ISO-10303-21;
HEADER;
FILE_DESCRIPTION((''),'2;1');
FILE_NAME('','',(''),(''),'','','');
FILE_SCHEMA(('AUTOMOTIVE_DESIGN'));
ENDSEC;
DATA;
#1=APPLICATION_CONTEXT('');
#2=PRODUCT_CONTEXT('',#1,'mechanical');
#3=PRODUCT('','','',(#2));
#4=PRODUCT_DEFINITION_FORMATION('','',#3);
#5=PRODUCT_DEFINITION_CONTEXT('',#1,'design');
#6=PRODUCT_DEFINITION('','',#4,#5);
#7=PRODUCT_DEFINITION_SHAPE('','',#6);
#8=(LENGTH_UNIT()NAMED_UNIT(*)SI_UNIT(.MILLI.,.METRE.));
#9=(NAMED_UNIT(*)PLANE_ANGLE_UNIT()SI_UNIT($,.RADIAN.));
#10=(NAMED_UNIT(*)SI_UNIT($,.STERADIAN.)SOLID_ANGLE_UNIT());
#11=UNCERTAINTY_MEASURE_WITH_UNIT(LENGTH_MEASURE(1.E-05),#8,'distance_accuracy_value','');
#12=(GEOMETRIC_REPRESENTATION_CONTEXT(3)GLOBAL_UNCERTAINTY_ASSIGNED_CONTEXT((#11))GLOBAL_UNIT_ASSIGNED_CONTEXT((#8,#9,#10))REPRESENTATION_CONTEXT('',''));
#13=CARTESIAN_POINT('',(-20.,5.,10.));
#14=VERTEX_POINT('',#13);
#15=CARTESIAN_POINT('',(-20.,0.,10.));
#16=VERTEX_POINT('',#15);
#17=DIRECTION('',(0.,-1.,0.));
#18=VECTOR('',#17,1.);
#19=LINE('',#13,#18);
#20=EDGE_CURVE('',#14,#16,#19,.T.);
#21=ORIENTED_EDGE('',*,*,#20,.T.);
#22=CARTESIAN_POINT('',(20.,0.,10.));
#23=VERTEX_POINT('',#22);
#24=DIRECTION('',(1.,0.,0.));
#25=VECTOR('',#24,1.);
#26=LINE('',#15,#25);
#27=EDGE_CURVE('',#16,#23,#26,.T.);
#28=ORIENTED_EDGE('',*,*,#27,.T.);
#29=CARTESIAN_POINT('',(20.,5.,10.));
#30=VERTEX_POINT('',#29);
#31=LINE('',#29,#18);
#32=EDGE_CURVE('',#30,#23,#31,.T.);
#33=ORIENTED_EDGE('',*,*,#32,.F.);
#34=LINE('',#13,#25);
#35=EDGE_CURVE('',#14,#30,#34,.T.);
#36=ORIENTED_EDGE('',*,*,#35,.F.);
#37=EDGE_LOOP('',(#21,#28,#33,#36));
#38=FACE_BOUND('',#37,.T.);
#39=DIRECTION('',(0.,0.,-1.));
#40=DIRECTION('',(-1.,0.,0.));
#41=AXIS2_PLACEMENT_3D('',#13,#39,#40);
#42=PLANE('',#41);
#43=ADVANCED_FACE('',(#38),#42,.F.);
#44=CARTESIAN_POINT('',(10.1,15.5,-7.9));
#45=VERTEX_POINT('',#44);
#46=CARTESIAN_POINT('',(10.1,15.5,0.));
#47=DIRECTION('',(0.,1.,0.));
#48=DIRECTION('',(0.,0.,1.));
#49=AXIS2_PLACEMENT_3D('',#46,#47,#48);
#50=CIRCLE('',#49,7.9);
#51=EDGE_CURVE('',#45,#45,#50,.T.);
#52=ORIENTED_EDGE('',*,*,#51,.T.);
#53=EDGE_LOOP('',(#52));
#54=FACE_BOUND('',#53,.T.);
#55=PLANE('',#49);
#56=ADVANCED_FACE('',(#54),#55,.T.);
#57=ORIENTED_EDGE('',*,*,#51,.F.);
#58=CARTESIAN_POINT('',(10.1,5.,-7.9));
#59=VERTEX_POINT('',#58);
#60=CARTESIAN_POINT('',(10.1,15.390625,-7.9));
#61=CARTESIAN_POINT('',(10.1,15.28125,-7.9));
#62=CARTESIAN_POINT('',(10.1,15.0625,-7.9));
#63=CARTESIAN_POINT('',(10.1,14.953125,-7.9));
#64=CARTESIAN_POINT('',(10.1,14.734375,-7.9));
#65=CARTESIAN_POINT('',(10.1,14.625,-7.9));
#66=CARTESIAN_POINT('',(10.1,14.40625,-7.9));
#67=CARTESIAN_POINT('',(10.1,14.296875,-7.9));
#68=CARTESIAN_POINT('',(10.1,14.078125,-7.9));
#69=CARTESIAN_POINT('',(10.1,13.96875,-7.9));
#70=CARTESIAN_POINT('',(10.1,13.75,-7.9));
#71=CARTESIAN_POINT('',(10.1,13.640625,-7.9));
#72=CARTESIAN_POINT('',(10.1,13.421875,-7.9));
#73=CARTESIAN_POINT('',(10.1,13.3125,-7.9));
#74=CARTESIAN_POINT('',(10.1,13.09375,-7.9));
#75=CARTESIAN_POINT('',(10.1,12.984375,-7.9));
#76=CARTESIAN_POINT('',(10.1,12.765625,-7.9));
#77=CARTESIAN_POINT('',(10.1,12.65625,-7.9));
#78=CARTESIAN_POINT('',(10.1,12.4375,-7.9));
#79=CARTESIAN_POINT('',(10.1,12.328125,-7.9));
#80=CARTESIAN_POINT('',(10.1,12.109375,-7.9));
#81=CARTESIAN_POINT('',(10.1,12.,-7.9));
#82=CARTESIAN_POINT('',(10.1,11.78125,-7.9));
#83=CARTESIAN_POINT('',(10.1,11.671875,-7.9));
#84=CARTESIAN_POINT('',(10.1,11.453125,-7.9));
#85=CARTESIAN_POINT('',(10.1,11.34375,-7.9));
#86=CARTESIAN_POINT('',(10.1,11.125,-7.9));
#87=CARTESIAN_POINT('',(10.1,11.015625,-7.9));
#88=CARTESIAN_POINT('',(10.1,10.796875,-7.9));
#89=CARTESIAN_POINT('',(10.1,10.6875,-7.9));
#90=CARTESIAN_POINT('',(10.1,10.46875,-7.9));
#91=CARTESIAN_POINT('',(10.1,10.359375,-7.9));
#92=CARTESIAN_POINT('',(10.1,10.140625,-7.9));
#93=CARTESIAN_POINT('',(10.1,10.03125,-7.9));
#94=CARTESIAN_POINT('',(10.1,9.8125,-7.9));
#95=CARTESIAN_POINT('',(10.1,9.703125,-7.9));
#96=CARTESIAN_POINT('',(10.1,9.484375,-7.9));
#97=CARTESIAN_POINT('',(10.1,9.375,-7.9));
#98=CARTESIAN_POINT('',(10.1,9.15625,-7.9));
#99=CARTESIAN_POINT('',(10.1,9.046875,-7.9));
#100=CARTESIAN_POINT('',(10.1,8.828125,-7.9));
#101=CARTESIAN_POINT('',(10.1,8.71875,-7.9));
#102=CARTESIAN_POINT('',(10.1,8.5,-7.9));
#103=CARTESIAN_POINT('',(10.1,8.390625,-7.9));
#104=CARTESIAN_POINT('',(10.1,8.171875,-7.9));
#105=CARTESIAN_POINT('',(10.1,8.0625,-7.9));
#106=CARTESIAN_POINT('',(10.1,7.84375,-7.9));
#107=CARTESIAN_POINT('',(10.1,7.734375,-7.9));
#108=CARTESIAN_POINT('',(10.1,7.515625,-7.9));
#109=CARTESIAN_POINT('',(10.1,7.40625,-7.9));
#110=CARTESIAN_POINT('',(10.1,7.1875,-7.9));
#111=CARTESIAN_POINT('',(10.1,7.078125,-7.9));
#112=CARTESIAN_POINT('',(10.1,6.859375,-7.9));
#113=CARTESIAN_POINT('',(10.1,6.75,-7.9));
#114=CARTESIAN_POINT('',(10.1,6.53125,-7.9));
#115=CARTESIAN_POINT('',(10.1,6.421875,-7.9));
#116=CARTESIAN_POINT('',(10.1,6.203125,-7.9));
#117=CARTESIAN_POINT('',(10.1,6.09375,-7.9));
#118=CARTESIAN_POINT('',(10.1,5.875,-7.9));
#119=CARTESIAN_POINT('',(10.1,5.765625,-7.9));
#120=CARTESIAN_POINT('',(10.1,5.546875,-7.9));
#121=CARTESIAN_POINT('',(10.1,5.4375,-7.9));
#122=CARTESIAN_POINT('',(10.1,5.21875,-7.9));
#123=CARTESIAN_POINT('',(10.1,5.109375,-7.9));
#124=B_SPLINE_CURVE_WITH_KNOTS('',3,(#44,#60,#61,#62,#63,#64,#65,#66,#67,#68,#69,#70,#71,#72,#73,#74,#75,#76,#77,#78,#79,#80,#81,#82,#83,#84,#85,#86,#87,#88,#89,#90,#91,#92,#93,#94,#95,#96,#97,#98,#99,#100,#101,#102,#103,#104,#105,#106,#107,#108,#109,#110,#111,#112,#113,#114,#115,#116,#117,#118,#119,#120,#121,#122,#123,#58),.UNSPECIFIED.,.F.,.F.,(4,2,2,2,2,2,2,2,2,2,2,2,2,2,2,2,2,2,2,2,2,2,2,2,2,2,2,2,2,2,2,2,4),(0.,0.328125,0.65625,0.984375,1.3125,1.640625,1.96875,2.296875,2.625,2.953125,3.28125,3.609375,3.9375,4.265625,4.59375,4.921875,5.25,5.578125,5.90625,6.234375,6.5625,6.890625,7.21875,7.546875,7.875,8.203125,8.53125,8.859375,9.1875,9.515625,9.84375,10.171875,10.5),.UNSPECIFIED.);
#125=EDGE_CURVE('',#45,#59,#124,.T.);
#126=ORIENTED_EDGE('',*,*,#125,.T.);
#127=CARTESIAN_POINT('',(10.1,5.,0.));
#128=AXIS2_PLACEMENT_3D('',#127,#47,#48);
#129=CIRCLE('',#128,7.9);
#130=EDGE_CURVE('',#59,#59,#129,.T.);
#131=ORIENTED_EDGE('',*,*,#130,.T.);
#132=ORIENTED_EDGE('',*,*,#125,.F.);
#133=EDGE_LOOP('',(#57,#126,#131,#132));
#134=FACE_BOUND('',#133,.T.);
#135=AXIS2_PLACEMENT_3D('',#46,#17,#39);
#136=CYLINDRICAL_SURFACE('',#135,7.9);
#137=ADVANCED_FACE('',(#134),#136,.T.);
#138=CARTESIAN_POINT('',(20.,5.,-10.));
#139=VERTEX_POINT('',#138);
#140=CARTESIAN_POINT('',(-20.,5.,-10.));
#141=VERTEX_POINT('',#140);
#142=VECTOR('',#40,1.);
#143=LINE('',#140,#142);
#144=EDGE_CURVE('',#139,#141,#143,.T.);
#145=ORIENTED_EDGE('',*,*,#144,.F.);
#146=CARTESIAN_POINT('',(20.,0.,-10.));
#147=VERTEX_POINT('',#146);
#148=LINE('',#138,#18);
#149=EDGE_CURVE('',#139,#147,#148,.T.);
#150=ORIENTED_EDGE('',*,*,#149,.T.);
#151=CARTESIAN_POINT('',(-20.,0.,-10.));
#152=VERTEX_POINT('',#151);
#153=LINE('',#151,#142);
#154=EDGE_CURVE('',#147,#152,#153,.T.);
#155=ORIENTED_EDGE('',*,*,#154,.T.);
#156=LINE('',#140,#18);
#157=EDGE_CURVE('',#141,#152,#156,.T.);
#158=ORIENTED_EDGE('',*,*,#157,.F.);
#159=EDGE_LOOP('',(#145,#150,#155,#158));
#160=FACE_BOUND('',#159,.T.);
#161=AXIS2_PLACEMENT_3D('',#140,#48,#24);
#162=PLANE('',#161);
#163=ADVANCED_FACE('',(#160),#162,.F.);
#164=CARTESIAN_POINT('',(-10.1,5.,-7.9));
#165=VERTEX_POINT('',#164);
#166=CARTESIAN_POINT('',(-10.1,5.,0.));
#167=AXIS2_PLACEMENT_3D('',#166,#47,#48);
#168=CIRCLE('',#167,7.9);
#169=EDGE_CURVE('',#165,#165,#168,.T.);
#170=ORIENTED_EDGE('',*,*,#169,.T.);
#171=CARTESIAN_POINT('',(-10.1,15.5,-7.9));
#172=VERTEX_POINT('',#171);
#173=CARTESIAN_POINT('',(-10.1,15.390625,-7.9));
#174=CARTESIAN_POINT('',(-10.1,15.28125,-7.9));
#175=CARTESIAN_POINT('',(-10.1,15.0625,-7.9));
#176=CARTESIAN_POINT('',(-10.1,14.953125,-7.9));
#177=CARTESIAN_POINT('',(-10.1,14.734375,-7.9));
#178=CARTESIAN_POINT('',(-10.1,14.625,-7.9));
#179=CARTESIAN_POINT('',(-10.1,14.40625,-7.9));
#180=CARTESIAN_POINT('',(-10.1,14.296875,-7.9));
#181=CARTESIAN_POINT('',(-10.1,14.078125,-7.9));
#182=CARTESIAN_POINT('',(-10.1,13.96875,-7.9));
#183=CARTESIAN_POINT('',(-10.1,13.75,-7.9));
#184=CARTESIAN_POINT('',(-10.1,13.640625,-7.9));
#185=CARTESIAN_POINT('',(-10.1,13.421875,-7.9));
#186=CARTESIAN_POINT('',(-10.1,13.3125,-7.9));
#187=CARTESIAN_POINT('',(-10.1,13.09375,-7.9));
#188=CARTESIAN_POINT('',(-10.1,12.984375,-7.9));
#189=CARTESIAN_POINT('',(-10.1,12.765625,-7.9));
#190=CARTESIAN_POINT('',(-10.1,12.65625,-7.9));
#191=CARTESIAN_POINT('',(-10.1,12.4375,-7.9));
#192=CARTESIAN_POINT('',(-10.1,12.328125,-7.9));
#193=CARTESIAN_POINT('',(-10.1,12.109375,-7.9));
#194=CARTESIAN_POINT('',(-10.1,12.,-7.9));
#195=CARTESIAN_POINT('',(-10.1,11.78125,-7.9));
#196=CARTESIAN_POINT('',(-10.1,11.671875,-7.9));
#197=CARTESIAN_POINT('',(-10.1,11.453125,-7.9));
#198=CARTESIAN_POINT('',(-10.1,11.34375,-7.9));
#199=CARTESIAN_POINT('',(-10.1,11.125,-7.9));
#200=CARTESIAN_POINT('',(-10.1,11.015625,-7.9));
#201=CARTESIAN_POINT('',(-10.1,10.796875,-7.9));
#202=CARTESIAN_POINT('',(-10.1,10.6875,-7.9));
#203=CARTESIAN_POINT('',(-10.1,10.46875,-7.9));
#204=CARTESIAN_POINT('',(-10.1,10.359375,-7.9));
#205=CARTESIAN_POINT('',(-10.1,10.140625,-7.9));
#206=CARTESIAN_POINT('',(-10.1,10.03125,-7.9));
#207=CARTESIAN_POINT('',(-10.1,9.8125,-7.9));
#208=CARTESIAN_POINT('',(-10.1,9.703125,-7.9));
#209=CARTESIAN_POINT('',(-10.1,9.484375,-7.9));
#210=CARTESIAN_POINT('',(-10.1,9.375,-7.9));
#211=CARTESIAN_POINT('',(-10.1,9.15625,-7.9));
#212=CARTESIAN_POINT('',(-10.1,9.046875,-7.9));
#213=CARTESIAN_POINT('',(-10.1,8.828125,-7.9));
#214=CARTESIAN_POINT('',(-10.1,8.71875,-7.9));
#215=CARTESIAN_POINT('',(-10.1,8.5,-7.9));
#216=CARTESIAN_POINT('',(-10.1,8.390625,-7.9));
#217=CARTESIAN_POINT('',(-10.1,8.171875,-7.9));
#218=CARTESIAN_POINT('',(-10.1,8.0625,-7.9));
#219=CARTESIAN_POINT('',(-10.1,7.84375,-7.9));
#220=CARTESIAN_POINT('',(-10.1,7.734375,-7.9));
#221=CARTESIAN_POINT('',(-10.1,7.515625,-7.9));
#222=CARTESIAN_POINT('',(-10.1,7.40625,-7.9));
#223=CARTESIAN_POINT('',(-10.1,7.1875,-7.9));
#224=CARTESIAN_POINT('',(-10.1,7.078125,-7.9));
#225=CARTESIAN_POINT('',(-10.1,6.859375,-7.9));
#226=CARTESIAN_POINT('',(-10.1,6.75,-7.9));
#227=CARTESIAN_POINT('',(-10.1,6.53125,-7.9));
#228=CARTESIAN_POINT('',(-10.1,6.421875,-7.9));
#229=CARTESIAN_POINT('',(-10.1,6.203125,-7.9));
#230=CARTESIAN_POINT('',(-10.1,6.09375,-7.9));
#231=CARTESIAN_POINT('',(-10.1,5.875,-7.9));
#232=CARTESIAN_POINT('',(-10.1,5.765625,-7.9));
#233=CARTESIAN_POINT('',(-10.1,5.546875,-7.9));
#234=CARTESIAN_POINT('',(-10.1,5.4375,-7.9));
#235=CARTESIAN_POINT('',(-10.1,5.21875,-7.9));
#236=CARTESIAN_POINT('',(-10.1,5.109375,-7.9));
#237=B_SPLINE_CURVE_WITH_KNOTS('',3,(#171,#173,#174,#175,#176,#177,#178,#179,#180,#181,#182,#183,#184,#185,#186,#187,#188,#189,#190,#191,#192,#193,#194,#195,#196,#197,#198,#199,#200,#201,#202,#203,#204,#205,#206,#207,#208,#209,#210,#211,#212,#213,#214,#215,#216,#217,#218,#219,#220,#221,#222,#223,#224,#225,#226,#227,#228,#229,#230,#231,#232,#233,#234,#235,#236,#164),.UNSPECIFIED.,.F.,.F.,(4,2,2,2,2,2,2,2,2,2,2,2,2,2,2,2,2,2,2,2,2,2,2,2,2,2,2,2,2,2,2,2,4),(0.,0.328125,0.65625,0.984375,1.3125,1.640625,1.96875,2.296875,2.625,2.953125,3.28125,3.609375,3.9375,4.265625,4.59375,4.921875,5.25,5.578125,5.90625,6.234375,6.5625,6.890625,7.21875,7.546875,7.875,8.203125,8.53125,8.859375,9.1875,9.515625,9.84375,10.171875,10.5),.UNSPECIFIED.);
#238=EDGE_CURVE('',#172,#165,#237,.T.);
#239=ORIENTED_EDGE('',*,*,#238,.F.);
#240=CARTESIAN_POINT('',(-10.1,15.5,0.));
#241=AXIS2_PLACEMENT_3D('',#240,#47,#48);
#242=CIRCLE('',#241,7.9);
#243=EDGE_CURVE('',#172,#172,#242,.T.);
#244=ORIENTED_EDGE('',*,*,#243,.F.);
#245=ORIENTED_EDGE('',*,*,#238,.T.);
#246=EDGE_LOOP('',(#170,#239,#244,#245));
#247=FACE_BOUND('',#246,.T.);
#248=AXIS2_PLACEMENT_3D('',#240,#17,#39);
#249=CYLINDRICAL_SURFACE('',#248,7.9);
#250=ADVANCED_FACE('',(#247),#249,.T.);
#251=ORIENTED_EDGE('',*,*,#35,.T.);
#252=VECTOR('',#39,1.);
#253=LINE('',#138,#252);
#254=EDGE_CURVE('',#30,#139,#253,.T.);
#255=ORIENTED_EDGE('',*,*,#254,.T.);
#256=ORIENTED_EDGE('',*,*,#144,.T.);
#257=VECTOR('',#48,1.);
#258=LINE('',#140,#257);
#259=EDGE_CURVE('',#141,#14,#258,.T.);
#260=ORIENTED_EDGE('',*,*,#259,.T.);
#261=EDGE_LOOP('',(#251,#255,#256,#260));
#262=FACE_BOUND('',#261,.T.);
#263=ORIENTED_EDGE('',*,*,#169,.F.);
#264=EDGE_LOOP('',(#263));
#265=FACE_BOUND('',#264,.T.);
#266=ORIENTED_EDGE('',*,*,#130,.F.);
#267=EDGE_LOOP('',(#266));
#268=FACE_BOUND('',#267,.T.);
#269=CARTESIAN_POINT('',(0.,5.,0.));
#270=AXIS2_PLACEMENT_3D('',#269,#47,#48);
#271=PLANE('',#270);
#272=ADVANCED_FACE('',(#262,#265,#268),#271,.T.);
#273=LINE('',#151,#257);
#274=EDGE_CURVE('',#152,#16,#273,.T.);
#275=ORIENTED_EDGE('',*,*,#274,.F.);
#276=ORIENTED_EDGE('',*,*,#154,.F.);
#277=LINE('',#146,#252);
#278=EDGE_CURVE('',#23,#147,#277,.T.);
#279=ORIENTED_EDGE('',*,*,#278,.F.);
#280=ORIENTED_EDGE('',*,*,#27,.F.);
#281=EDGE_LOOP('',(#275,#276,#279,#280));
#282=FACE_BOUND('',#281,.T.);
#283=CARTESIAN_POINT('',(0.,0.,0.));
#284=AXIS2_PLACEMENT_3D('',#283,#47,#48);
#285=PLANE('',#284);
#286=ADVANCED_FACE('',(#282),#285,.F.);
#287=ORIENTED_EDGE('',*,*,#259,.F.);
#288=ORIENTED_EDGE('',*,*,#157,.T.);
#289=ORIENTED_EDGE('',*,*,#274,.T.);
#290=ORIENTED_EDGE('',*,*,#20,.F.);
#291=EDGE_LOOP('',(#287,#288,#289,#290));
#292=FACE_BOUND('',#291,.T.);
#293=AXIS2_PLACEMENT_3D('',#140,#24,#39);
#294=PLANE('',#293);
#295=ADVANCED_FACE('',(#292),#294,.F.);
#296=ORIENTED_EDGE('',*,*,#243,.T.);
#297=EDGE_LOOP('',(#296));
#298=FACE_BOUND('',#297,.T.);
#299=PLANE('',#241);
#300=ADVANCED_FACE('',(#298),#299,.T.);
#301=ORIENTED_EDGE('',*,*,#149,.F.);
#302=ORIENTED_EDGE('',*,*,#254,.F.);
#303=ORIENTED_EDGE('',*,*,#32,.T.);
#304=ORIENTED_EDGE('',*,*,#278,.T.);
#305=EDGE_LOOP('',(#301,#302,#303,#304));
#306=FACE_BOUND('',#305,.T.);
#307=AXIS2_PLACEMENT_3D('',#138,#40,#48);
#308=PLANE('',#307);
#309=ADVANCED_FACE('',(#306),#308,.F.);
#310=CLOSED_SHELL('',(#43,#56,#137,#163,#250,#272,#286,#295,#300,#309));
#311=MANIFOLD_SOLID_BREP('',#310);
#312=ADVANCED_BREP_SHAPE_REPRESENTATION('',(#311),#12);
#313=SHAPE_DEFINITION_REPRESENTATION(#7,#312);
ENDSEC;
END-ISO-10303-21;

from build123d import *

# Parameters (mm, degrees)
SKETCH1_W           = 40
SKETCH1_H           = 20
BOSS_EXTRUDE1_DEPTH = 5
SKETCH2_R           = 7.9
BOSS_EXTRUDE2_DEPTH = 10.5


with BuildPart() as part:
    # Sketch1 → Boss-Extrude1 (new body)
    with BuildSketch(Plane(origin=(0, 0, 0), x_dir=(1, 0, 0), z_dir=(0, 1, 0))):
        Rectangle(SKETCH1_W, SKETCH1_H)
    extrude(amount=BOSS_EXTRUDE1_DEPTH)

    # Sketch2 → Boss-Extrude2 (add)
    with BuildSketch(Plane(origin=(0, 5, 0), x_dir=(1, 0, 0), z_dir=(0, 1, 0))):
        with Locations(Location((-10.1, 0, 0), (0, 0, 90))):
            Circle(SKETCH2_R)
        with Locations(Location((10.1, 0, 0), (0, 0, 90))):
            Circle(SKETCH2_R)
    extrude(amount=BOSS_EXTRUDE2_DEPTH)


solid = part.part
